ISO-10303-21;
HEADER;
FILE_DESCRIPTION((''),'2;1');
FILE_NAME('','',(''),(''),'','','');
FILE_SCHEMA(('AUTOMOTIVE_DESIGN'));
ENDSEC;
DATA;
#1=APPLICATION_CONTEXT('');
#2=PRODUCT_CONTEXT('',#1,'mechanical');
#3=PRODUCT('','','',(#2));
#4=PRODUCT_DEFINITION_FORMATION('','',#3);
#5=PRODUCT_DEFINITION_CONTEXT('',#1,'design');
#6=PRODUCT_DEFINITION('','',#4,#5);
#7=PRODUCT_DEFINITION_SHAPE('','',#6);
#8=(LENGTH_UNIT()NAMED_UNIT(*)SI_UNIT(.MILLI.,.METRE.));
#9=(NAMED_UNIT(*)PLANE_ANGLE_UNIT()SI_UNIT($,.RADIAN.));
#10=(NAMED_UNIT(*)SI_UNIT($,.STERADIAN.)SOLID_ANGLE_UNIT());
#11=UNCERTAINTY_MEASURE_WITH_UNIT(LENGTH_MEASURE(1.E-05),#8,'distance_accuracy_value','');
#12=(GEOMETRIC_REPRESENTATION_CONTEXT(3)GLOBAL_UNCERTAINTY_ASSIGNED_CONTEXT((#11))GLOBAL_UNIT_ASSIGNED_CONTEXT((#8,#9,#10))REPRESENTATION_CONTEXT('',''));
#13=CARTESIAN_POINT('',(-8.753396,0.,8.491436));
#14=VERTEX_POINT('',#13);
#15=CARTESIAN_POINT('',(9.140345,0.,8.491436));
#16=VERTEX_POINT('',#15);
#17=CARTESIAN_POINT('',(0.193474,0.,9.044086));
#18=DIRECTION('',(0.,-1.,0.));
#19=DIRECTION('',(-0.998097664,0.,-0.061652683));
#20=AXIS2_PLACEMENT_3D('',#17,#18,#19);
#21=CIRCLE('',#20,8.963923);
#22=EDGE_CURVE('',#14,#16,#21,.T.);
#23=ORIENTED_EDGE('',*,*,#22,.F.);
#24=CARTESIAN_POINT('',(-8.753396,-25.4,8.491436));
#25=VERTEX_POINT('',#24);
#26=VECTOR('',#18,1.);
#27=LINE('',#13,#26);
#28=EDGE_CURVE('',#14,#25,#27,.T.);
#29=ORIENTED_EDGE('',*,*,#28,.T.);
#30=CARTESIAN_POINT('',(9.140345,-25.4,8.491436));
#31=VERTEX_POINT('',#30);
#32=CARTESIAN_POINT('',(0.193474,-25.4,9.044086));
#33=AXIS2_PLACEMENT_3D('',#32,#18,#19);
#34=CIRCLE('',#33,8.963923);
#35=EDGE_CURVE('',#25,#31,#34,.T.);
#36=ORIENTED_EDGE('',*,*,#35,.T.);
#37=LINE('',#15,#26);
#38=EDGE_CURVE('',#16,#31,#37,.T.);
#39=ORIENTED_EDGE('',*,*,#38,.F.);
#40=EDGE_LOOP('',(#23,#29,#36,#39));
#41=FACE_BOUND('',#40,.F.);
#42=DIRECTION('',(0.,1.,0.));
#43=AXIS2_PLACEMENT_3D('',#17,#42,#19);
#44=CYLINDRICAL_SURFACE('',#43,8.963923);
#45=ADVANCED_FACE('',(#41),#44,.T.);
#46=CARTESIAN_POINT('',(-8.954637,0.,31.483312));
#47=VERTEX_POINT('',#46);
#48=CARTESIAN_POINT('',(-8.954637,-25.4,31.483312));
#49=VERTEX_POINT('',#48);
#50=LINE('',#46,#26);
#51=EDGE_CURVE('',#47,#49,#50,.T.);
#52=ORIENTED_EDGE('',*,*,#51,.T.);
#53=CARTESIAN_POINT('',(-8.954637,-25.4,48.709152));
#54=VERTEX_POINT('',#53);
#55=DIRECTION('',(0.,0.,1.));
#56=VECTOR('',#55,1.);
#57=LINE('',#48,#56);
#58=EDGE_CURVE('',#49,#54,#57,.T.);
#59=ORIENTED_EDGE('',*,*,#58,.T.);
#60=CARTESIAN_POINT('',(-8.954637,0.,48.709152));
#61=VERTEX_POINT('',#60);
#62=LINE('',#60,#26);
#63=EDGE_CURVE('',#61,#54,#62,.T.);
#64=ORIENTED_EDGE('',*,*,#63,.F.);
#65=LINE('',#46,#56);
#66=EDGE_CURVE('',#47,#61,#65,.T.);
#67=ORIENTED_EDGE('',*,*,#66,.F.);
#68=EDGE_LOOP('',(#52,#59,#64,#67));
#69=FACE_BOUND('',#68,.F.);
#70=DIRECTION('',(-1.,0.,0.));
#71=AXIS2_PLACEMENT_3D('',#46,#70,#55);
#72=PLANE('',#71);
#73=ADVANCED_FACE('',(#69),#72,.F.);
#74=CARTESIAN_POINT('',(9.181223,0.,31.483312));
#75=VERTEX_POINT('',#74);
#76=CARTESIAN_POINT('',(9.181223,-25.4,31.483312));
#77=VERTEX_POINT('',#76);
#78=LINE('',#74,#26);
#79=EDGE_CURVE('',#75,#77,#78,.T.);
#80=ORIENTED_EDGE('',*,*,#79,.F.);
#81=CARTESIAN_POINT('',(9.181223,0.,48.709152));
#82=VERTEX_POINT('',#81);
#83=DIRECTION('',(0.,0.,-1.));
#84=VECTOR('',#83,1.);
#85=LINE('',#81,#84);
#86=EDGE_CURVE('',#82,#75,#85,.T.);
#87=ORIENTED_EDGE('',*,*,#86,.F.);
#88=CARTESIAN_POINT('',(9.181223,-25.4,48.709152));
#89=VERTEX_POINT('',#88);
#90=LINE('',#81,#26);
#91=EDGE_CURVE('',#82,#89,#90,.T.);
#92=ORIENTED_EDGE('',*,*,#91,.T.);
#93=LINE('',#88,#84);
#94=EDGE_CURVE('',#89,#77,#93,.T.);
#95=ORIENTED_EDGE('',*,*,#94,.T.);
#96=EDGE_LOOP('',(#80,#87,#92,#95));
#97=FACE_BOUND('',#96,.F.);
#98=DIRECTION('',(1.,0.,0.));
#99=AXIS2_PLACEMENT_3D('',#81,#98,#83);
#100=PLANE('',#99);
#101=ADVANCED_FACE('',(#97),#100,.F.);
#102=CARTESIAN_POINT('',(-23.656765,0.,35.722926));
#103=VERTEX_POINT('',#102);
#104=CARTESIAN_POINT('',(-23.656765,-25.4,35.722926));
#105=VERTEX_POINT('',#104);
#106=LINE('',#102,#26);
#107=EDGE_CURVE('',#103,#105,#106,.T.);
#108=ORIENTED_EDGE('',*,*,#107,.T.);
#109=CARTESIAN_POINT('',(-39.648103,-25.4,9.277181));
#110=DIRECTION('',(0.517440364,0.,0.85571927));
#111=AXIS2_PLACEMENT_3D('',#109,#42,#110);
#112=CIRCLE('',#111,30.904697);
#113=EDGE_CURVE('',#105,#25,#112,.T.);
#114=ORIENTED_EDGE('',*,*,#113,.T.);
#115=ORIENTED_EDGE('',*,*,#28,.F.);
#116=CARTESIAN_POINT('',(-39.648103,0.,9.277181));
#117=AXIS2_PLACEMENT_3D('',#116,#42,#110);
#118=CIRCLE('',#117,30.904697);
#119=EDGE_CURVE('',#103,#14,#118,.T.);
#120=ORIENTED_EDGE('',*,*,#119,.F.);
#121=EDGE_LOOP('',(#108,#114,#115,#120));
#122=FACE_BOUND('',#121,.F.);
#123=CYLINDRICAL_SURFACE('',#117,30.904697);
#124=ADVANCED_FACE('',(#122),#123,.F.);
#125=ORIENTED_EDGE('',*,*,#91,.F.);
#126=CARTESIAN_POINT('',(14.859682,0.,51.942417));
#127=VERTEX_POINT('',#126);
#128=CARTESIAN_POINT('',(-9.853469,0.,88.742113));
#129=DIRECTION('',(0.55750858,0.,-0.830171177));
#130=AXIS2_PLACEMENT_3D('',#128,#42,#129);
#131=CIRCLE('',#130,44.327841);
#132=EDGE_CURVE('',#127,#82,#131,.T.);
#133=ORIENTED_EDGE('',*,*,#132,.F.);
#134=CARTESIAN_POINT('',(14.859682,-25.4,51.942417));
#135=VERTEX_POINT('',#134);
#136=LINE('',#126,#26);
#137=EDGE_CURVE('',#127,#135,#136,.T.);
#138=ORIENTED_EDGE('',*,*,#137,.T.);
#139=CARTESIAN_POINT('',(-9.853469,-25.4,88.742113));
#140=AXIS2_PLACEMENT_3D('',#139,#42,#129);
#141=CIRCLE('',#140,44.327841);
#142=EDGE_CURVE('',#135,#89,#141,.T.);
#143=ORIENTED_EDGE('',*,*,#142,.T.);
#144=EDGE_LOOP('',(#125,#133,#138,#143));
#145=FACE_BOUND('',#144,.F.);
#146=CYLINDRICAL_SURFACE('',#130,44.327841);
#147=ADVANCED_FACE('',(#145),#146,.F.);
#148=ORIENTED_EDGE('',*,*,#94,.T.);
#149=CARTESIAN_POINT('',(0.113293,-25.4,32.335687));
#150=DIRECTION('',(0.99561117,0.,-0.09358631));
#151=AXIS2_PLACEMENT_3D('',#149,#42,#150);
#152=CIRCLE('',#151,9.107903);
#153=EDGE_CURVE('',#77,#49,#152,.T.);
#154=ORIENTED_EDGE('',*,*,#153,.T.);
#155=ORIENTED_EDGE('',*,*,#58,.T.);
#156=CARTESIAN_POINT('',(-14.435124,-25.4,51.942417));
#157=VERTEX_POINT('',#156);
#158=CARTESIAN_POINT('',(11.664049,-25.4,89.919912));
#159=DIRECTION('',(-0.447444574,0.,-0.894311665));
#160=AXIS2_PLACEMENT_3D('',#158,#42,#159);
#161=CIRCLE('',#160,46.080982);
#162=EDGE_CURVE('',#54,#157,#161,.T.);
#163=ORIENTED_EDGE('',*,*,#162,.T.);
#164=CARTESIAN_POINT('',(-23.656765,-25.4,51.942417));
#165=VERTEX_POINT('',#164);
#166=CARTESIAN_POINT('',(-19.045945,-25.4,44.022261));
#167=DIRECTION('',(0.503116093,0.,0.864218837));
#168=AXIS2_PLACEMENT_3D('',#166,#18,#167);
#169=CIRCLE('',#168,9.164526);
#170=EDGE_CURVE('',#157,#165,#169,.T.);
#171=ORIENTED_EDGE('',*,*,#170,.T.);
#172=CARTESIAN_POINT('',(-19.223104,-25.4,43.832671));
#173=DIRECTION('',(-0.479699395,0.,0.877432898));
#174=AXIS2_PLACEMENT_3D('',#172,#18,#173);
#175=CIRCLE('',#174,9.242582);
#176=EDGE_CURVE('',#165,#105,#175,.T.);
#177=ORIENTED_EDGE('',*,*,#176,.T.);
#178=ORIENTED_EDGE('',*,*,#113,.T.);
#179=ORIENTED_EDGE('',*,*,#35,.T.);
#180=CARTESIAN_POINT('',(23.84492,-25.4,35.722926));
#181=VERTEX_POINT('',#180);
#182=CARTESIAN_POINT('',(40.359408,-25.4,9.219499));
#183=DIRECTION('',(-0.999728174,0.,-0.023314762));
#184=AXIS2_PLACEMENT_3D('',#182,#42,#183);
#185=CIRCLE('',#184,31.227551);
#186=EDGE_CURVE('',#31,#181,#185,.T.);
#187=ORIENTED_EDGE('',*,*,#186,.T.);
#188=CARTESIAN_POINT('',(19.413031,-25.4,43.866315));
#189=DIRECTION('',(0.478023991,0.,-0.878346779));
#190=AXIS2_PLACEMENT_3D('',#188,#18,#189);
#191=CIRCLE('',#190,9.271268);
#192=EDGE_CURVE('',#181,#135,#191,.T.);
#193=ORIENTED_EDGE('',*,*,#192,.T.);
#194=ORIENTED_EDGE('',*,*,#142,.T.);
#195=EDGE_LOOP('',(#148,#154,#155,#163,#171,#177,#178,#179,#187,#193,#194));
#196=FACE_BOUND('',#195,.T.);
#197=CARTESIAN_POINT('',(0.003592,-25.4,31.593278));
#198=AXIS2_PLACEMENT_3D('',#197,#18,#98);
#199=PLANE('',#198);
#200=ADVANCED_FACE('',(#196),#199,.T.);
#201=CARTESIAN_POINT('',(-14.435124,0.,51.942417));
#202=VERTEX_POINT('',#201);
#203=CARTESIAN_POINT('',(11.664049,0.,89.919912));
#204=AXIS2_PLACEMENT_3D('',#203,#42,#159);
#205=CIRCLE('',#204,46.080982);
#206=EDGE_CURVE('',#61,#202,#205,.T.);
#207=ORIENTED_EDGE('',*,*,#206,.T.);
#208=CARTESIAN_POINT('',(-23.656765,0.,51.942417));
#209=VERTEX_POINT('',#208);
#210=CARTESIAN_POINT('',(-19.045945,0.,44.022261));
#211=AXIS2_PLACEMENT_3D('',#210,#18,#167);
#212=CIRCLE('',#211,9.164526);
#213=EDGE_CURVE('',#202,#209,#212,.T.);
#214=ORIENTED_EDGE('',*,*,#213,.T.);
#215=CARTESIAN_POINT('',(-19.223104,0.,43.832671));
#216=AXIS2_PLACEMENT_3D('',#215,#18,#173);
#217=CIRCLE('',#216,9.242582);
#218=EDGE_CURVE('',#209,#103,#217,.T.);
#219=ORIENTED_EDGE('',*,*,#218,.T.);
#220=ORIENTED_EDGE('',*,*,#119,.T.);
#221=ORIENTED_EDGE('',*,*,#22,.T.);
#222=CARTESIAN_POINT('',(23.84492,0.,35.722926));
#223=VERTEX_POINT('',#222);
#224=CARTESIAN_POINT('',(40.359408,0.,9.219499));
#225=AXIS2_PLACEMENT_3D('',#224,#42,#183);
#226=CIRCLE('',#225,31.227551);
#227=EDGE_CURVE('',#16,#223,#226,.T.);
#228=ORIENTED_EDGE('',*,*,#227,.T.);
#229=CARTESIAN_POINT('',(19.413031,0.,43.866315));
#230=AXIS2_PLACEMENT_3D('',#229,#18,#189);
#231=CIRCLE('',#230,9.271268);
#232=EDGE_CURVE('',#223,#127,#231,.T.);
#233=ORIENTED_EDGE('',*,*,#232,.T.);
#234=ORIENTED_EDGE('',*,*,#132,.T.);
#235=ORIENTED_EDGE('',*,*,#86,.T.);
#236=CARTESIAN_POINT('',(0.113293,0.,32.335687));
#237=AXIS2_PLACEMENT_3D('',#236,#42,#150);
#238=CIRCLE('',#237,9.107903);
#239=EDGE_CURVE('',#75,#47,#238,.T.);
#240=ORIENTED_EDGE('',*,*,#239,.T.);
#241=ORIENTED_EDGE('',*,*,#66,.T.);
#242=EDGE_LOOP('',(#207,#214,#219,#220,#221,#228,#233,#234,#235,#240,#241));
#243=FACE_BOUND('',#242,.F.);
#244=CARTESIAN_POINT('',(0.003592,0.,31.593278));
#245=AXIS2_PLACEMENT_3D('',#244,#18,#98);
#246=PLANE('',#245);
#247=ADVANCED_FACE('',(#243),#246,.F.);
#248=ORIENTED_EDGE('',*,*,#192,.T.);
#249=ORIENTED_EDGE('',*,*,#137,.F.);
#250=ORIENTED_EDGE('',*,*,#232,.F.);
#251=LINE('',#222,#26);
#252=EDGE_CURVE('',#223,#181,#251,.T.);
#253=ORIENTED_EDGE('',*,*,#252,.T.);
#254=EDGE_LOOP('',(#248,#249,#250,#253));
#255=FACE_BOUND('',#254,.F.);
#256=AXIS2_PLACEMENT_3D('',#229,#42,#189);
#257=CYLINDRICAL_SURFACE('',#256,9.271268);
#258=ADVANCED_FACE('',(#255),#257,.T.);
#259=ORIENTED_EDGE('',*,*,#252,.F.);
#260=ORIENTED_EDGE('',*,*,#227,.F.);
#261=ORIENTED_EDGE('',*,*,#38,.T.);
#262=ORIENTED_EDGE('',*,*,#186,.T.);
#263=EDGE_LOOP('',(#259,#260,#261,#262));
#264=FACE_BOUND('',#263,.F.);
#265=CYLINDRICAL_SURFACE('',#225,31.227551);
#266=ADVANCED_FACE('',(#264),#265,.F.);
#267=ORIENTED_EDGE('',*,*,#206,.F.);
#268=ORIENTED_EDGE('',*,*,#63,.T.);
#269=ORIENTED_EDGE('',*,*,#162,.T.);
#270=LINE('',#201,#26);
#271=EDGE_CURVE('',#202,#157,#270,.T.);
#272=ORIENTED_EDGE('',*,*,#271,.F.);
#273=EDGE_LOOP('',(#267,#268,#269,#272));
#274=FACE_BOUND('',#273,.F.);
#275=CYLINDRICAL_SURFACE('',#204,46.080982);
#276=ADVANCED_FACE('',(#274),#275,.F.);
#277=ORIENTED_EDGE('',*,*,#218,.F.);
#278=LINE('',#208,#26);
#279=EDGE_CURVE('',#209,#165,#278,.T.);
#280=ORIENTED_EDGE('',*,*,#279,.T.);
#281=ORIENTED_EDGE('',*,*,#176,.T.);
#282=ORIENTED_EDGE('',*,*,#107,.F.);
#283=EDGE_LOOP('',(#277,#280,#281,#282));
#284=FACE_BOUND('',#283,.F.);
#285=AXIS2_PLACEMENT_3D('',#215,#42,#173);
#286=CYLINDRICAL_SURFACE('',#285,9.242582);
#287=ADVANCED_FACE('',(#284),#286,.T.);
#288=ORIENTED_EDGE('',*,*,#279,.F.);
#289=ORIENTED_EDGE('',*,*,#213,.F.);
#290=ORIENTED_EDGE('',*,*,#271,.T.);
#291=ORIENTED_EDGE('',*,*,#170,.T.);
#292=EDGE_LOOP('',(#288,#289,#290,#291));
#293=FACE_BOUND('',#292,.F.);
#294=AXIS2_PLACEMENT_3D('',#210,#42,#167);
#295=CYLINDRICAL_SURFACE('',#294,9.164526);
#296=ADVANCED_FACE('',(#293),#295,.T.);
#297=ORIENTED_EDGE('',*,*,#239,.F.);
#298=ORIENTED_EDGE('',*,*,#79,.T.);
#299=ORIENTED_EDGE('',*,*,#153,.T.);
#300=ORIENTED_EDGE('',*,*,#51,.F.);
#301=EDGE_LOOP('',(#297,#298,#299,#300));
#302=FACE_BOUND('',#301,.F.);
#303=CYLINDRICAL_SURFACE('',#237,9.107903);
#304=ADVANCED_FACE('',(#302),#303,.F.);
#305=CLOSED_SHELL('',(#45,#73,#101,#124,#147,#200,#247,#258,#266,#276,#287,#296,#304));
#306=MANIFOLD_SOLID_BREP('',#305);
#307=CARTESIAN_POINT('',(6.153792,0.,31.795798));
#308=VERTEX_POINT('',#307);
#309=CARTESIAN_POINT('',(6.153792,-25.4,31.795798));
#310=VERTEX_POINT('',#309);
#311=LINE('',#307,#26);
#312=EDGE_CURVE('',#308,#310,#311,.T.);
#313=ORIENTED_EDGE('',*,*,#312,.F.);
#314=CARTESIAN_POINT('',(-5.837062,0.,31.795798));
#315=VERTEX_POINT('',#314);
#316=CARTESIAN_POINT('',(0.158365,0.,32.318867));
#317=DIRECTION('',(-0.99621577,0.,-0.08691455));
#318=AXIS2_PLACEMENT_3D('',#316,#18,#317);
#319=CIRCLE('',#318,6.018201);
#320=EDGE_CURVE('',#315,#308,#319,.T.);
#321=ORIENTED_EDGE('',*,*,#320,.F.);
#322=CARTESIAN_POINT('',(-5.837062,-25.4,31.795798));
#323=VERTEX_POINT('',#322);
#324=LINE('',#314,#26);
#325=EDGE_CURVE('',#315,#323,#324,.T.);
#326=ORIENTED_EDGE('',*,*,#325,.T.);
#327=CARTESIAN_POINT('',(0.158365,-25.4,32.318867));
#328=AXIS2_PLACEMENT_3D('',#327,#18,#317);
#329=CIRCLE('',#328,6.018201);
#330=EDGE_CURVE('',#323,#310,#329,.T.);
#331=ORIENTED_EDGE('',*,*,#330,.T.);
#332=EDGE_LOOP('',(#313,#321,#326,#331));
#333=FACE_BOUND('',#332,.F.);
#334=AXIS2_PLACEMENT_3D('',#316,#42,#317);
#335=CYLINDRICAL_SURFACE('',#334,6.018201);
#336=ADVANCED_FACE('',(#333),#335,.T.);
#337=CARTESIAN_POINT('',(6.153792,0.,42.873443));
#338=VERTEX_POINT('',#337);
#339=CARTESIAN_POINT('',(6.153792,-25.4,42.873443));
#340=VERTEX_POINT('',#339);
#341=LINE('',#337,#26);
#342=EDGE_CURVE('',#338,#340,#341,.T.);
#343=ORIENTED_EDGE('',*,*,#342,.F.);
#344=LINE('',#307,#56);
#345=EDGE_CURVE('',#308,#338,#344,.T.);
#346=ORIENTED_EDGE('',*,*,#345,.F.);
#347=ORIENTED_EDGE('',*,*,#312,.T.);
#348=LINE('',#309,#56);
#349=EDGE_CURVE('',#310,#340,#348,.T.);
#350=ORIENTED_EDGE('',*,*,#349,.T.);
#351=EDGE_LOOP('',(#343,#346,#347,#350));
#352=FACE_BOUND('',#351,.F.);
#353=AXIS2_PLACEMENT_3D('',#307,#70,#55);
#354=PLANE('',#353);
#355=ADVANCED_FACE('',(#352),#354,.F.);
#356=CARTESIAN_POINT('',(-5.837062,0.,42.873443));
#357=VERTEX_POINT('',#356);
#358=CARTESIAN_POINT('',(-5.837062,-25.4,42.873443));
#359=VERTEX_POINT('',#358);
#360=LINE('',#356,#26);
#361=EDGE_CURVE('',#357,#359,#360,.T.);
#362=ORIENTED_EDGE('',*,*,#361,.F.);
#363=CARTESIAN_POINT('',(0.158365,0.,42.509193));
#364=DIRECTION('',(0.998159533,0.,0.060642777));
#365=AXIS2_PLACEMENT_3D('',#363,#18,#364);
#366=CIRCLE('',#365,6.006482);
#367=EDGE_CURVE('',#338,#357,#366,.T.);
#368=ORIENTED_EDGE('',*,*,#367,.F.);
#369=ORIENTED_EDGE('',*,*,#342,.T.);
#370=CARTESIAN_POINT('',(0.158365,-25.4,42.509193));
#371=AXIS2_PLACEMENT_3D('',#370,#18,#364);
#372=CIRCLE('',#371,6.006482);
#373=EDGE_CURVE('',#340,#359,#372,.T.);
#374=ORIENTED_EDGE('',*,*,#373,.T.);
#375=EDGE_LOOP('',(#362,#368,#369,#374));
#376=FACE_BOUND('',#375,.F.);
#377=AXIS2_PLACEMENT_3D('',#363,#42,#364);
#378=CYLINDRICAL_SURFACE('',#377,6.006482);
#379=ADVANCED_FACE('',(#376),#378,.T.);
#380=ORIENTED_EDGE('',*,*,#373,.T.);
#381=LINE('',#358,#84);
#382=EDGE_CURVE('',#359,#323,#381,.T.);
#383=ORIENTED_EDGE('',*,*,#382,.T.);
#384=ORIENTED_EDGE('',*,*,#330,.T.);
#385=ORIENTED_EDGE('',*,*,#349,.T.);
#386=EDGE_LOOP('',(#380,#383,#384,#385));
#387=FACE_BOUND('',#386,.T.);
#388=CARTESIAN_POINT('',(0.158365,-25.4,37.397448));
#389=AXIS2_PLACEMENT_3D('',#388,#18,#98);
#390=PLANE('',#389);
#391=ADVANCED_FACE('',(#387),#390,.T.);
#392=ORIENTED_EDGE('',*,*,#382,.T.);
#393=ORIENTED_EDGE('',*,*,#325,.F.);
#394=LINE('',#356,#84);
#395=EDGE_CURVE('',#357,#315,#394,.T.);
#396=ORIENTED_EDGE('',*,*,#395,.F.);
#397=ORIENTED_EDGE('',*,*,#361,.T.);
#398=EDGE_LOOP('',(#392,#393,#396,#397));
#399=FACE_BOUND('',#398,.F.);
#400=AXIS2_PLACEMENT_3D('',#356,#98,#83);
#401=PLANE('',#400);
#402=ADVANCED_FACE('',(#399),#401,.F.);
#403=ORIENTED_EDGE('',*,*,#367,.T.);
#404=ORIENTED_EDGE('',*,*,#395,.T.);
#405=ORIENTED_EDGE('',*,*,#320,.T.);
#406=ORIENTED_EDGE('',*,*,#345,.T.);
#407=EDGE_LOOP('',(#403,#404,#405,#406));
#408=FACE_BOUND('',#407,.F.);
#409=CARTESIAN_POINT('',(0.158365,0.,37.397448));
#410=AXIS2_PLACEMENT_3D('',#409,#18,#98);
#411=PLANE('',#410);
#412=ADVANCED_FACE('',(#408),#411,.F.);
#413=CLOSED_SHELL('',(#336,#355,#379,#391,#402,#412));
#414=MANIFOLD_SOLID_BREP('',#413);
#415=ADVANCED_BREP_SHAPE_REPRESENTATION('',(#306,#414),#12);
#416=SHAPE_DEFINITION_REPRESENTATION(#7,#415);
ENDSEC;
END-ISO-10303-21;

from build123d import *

# Parameters (mm, degrees)
F1_DEPTH = 25.4


with BuildPart() as f1:
    # F0 (on Front) → F1 (new body)
    with BuildSketch(Plane.XZ):
        with BuildLine():
            Line((-8.954637, 31.483312), (-8.954637, 48.709152))
            ThreePointArc((-8.954637, 48.709152), (-11.750756, 50.231074), (-14.435124, 51.942417))
            ThreePointArc((-14.435124, 51.942417), (-19.045944, 53.186787), (-23.656765, 51.942417))
            ThreePointArc((-23.656765, 51.942417), (-28.465686, 43.832672), (-23.656765, 35.722926))
            ThreePointArc((-23.656765, 35.722926), (-12.537887, 24.114179), (-8.753396, 8.491436))
            ThreePointArc((-8.753396, 8.491436), (0.193475, 0.080163), (9.140345, 8.491436))
            ThreePointArc((9.140345, 8.491436), (12.881936, 24.056901), (23.84492, 35.722926))
            ThreePointArc((23.84492, 35.722926), (27.523004, 48.35906), (14.859682, 51.942417))
            ThreePointArc((14.859682, 51.942417), (12.080111, 50.221008), (9.181223, 48.709152))
            Line((9.181223, 48.709152), (9.181223, 31.483312))
            ThreePointArc((9.181223, 31.483312), (0.113293, 23.227784), (-8.954637, 31.483312))
        make_face()
        with BuildLine():
            ThreePointArc((6.153792, 42.873443), (0.158365, 48.515675), (-5.837062, 42.873443))
            Line((-5.837062, 42.873443), (-5.837062, 31.795798))
            ThreePointArc((-5.837062, 31.795798), (0.158365, 26.300666), (6.153792, 31.795798))
            Line((6.153792, 31.795798), (6.153792, 42.873443))
        make_face()
    extrude(amount=F1_DEPTH)


solid = f1.part
